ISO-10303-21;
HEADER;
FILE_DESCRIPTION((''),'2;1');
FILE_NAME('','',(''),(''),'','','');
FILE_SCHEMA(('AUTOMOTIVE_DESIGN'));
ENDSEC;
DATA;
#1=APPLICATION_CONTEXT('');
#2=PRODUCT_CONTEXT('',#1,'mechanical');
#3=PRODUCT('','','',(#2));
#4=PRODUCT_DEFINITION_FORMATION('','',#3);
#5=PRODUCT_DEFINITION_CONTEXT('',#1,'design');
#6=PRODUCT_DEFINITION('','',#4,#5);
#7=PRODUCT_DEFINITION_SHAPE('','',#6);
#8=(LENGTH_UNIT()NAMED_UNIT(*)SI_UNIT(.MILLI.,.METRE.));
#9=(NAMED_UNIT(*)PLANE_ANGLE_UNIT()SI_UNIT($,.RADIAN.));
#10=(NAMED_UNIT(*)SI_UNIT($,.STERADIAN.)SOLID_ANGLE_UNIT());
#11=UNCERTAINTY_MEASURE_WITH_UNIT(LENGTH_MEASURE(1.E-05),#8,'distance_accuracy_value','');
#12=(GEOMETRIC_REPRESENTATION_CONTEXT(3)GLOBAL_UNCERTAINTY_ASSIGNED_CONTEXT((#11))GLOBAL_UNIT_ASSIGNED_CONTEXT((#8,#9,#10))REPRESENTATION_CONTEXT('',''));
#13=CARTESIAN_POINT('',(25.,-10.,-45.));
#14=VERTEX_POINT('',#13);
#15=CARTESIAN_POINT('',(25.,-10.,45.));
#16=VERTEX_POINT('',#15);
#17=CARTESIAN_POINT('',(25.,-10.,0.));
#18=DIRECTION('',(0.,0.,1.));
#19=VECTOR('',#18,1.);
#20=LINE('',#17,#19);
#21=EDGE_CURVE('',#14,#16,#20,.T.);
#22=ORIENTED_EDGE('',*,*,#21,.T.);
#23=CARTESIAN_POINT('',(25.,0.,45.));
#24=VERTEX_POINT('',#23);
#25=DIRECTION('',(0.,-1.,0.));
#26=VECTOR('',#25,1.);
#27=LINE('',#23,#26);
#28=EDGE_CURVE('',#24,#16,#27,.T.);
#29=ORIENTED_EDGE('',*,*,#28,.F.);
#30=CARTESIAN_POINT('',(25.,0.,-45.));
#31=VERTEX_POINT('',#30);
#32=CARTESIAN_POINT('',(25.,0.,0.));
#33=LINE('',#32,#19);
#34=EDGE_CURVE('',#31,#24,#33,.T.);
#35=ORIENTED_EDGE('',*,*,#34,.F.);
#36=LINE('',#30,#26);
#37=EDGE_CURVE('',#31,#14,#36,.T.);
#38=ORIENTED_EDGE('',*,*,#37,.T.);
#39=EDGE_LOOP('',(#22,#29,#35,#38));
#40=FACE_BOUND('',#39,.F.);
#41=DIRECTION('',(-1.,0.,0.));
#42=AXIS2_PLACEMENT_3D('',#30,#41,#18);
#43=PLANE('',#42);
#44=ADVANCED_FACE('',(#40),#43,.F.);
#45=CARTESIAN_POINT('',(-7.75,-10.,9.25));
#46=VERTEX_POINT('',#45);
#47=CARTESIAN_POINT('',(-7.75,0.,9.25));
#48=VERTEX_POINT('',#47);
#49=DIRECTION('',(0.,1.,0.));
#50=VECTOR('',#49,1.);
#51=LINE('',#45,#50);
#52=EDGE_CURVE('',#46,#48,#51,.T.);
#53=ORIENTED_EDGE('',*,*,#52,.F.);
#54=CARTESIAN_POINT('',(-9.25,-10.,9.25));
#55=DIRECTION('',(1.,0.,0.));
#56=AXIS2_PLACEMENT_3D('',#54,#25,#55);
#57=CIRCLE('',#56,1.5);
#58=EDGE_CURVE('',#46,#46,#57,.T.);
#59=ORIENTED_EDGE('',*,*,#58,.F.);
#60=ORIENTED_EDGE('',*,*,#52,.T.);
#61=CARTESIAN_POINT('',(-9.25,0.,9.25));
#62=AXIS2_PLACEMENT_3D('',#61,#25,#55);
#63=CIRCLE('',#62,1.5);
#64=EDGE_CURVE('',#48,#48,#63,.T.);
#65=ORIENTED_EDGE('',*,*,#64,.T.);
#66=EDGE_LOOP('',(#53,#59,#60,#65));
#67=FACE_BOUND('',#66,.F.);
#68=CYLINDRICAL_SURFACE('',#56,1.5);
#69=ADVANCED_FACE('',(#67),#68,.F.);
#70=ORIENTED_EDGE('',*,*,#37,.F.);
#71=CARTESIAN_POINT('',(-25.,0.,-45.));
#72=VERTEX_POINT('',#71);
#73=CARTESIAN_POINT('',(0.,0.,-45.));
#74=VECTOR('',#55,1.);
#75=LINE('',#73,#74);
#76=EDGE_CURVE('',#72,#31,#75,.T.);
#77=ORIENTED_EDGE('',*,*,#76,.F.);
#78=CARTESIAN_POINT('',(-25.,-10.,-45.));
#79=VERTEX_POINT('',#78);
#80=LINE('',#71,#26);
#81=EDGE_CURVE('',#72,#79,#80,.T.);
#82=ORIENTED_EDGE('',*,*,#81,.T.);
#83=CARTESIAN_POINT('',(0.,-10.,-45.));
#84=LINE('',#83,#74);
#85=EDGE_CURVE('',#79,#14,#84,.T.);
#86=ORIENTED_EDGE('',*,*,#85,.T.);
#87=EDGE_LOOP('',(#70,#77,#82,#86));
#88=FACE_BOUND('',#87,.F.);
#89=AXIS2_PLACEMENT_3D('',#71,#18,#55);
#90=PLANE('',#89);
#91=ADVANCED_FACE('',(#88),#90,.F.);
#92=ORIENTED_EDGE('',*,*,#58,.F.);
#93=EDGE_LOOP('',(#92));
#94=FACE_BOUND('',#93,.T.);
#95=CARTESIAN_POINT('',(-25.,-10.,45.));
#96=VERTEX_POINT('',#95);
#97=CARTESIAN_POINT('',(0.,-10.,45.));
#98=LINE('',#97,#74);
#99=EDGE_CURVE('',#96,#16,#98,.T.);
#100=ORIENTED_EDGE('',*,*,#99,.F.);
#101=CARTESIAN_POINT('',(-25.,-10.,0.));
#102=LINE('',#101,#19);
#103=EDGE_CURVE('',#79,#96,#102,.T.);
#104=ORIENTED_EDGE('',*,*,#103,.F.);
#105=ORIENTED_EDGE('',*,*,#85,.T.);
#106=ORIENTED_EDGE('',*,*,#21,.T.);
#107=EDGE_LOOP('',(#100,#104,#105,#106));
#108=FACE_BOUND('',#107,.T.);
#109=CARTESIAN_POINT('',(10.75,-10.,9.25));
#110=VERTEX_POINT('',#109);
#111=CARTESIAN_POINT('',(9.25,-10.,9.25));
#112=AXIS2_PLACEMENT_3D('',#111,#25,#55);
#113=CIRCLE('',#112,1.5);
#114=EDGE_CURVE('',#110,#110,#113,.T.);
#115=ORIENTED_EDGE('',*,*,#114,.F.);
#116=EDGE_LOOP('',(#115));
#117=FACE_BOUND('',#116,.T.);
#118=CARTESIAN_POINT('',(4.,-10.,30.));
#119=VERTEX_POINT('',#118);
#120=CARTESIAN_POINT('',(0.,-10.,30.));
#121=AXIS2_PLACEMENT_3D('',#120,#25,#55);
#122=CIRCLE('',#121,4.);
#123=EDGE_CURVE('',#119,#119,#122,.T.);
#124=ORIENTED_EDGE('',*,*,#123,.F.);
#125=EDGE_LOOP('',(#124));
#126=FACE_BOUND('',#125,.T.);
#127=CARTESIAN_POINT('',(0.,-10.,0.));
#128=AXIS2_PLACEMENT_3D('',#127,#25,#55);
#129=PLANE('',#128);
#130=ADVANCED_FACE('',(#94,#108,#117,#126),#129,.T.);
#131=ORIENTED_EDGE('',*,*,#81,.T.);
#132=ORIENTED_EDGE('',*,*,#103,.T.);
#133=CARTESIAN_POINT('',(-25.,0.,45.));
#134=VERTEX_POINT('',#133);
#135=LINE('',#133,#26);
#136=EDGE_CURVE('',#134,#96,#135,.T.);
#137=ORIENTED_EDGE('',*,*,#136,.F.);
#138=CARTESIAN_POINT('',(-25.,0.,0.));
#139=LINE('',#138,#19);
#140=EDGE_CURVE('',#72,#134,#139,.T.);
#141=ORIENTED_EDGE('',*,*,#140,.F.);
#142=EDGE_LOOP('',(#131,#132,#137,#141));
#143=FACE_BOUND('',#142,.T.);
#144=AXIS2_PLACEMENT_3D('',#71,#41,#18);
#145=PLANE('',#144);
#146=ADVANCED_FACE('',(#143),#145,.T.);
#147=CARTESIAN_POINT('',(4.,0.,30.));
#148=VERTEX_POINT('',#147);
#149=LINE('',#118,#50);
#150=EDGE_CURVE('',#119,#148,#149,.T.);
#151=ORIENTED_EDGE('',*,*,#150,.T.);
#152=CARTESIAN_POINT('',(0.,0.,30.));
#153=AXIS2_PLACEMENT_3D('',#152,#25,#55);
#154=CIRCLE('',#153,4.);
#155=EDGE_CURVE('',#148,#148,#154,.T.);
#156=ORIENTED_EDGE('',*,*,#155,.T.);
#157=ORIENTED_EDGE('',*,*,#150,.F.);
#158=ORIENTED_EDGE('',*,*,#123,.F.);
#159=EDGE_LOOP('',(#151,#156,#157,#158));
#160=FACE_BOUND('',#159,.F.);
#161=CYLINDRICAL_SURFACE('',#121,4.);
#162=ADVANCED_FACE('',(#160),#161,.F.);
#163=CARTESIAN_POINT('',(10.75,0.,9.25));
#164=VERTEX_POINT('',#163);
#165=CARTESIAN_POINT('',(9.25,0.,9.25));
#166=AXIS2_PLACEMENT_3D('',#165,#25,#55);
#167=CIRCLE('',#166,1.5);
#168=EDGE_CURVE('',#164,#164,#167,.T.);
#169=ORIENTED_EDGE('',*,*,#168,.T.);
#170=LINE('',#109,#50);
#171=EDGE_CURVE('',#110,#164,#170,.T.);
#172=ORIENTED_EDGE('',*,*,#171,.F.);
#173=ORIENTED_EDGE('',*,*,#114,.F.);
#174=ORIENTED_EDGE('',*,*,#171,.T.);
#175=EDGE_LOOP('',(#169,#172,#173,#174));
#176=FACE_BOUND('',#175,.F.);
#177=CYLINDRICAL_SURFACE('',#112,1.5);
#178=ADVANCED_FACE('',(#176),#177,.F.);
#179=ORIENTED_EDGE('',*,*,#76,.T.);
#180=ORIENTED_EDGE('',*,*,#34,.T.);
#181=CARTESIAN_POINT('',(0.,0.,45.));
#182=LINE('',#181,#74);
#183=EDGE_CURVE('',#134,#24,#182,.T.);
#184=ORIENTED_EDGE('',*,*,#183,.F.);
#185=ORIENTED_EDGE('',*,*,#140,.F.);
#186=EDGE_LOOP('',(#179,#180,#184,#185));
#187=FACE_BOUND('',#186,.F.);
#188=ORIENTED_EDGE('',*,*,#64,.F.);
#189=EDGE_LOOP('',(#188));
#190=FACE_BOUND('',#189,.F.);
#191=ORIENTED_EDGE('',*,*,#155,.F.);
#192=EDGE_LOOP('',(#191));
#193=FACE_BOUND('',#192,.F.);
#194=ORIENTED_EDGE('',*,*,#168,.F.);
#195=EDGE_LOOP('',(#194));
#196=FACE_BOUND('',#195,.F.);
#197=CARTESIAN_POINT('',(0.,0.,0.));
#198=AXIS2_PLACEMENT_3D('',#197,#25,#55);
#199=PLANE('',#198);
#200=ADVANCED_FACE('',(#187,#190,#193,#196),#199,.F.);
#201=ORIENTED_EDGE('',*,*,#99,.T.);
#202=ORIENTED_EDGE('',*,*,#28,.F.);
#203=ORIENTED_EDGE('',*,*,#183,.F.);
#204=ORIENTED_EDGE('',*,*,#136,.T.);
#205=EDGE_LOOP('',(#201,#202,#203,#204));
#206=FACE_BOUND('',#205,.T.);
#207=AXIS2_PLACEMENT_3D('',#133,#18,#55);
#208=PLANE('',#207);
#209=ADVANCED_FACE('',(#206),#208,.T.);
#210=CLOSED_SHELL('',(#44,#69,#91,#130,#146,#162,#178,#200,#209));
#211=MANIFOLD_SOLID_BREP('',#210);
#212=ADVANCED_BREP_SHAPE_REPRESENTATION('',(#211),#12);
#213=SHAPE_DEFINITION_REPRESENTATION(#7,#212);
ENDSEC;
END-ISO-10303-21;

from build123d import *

# Parameters (mm, degrees)
F0_W     = 50
F0_H     = 90
F1_DEPTH = 10
F2_R     = 4
F2_R_2   = 1.5
F3_DEPTH = 25


with BuildPart() as f1:
    # F0 (on Front) → F1 (new body)
    with BuildSketch(Plane.XZ):
        Rectangle(F0_W, F0_H)
    extrude(amount=F1_DEPTH)

    # F2 (on face) → F3 (cut)
    with BuildSketch(Plane.XZ.offset(10)):
        with Locations((0, 30)):
            Circle(F2_R)
        with Locations((9.25, 9.25)):
            Circle(F2_R_2)
        with Locations((-9.25, 9.25)):
            Circle(F2_R_2)
    extrude(amount=-F3_DEPTH, mode=Mode.SUBTRACT)


solid = f1.part
